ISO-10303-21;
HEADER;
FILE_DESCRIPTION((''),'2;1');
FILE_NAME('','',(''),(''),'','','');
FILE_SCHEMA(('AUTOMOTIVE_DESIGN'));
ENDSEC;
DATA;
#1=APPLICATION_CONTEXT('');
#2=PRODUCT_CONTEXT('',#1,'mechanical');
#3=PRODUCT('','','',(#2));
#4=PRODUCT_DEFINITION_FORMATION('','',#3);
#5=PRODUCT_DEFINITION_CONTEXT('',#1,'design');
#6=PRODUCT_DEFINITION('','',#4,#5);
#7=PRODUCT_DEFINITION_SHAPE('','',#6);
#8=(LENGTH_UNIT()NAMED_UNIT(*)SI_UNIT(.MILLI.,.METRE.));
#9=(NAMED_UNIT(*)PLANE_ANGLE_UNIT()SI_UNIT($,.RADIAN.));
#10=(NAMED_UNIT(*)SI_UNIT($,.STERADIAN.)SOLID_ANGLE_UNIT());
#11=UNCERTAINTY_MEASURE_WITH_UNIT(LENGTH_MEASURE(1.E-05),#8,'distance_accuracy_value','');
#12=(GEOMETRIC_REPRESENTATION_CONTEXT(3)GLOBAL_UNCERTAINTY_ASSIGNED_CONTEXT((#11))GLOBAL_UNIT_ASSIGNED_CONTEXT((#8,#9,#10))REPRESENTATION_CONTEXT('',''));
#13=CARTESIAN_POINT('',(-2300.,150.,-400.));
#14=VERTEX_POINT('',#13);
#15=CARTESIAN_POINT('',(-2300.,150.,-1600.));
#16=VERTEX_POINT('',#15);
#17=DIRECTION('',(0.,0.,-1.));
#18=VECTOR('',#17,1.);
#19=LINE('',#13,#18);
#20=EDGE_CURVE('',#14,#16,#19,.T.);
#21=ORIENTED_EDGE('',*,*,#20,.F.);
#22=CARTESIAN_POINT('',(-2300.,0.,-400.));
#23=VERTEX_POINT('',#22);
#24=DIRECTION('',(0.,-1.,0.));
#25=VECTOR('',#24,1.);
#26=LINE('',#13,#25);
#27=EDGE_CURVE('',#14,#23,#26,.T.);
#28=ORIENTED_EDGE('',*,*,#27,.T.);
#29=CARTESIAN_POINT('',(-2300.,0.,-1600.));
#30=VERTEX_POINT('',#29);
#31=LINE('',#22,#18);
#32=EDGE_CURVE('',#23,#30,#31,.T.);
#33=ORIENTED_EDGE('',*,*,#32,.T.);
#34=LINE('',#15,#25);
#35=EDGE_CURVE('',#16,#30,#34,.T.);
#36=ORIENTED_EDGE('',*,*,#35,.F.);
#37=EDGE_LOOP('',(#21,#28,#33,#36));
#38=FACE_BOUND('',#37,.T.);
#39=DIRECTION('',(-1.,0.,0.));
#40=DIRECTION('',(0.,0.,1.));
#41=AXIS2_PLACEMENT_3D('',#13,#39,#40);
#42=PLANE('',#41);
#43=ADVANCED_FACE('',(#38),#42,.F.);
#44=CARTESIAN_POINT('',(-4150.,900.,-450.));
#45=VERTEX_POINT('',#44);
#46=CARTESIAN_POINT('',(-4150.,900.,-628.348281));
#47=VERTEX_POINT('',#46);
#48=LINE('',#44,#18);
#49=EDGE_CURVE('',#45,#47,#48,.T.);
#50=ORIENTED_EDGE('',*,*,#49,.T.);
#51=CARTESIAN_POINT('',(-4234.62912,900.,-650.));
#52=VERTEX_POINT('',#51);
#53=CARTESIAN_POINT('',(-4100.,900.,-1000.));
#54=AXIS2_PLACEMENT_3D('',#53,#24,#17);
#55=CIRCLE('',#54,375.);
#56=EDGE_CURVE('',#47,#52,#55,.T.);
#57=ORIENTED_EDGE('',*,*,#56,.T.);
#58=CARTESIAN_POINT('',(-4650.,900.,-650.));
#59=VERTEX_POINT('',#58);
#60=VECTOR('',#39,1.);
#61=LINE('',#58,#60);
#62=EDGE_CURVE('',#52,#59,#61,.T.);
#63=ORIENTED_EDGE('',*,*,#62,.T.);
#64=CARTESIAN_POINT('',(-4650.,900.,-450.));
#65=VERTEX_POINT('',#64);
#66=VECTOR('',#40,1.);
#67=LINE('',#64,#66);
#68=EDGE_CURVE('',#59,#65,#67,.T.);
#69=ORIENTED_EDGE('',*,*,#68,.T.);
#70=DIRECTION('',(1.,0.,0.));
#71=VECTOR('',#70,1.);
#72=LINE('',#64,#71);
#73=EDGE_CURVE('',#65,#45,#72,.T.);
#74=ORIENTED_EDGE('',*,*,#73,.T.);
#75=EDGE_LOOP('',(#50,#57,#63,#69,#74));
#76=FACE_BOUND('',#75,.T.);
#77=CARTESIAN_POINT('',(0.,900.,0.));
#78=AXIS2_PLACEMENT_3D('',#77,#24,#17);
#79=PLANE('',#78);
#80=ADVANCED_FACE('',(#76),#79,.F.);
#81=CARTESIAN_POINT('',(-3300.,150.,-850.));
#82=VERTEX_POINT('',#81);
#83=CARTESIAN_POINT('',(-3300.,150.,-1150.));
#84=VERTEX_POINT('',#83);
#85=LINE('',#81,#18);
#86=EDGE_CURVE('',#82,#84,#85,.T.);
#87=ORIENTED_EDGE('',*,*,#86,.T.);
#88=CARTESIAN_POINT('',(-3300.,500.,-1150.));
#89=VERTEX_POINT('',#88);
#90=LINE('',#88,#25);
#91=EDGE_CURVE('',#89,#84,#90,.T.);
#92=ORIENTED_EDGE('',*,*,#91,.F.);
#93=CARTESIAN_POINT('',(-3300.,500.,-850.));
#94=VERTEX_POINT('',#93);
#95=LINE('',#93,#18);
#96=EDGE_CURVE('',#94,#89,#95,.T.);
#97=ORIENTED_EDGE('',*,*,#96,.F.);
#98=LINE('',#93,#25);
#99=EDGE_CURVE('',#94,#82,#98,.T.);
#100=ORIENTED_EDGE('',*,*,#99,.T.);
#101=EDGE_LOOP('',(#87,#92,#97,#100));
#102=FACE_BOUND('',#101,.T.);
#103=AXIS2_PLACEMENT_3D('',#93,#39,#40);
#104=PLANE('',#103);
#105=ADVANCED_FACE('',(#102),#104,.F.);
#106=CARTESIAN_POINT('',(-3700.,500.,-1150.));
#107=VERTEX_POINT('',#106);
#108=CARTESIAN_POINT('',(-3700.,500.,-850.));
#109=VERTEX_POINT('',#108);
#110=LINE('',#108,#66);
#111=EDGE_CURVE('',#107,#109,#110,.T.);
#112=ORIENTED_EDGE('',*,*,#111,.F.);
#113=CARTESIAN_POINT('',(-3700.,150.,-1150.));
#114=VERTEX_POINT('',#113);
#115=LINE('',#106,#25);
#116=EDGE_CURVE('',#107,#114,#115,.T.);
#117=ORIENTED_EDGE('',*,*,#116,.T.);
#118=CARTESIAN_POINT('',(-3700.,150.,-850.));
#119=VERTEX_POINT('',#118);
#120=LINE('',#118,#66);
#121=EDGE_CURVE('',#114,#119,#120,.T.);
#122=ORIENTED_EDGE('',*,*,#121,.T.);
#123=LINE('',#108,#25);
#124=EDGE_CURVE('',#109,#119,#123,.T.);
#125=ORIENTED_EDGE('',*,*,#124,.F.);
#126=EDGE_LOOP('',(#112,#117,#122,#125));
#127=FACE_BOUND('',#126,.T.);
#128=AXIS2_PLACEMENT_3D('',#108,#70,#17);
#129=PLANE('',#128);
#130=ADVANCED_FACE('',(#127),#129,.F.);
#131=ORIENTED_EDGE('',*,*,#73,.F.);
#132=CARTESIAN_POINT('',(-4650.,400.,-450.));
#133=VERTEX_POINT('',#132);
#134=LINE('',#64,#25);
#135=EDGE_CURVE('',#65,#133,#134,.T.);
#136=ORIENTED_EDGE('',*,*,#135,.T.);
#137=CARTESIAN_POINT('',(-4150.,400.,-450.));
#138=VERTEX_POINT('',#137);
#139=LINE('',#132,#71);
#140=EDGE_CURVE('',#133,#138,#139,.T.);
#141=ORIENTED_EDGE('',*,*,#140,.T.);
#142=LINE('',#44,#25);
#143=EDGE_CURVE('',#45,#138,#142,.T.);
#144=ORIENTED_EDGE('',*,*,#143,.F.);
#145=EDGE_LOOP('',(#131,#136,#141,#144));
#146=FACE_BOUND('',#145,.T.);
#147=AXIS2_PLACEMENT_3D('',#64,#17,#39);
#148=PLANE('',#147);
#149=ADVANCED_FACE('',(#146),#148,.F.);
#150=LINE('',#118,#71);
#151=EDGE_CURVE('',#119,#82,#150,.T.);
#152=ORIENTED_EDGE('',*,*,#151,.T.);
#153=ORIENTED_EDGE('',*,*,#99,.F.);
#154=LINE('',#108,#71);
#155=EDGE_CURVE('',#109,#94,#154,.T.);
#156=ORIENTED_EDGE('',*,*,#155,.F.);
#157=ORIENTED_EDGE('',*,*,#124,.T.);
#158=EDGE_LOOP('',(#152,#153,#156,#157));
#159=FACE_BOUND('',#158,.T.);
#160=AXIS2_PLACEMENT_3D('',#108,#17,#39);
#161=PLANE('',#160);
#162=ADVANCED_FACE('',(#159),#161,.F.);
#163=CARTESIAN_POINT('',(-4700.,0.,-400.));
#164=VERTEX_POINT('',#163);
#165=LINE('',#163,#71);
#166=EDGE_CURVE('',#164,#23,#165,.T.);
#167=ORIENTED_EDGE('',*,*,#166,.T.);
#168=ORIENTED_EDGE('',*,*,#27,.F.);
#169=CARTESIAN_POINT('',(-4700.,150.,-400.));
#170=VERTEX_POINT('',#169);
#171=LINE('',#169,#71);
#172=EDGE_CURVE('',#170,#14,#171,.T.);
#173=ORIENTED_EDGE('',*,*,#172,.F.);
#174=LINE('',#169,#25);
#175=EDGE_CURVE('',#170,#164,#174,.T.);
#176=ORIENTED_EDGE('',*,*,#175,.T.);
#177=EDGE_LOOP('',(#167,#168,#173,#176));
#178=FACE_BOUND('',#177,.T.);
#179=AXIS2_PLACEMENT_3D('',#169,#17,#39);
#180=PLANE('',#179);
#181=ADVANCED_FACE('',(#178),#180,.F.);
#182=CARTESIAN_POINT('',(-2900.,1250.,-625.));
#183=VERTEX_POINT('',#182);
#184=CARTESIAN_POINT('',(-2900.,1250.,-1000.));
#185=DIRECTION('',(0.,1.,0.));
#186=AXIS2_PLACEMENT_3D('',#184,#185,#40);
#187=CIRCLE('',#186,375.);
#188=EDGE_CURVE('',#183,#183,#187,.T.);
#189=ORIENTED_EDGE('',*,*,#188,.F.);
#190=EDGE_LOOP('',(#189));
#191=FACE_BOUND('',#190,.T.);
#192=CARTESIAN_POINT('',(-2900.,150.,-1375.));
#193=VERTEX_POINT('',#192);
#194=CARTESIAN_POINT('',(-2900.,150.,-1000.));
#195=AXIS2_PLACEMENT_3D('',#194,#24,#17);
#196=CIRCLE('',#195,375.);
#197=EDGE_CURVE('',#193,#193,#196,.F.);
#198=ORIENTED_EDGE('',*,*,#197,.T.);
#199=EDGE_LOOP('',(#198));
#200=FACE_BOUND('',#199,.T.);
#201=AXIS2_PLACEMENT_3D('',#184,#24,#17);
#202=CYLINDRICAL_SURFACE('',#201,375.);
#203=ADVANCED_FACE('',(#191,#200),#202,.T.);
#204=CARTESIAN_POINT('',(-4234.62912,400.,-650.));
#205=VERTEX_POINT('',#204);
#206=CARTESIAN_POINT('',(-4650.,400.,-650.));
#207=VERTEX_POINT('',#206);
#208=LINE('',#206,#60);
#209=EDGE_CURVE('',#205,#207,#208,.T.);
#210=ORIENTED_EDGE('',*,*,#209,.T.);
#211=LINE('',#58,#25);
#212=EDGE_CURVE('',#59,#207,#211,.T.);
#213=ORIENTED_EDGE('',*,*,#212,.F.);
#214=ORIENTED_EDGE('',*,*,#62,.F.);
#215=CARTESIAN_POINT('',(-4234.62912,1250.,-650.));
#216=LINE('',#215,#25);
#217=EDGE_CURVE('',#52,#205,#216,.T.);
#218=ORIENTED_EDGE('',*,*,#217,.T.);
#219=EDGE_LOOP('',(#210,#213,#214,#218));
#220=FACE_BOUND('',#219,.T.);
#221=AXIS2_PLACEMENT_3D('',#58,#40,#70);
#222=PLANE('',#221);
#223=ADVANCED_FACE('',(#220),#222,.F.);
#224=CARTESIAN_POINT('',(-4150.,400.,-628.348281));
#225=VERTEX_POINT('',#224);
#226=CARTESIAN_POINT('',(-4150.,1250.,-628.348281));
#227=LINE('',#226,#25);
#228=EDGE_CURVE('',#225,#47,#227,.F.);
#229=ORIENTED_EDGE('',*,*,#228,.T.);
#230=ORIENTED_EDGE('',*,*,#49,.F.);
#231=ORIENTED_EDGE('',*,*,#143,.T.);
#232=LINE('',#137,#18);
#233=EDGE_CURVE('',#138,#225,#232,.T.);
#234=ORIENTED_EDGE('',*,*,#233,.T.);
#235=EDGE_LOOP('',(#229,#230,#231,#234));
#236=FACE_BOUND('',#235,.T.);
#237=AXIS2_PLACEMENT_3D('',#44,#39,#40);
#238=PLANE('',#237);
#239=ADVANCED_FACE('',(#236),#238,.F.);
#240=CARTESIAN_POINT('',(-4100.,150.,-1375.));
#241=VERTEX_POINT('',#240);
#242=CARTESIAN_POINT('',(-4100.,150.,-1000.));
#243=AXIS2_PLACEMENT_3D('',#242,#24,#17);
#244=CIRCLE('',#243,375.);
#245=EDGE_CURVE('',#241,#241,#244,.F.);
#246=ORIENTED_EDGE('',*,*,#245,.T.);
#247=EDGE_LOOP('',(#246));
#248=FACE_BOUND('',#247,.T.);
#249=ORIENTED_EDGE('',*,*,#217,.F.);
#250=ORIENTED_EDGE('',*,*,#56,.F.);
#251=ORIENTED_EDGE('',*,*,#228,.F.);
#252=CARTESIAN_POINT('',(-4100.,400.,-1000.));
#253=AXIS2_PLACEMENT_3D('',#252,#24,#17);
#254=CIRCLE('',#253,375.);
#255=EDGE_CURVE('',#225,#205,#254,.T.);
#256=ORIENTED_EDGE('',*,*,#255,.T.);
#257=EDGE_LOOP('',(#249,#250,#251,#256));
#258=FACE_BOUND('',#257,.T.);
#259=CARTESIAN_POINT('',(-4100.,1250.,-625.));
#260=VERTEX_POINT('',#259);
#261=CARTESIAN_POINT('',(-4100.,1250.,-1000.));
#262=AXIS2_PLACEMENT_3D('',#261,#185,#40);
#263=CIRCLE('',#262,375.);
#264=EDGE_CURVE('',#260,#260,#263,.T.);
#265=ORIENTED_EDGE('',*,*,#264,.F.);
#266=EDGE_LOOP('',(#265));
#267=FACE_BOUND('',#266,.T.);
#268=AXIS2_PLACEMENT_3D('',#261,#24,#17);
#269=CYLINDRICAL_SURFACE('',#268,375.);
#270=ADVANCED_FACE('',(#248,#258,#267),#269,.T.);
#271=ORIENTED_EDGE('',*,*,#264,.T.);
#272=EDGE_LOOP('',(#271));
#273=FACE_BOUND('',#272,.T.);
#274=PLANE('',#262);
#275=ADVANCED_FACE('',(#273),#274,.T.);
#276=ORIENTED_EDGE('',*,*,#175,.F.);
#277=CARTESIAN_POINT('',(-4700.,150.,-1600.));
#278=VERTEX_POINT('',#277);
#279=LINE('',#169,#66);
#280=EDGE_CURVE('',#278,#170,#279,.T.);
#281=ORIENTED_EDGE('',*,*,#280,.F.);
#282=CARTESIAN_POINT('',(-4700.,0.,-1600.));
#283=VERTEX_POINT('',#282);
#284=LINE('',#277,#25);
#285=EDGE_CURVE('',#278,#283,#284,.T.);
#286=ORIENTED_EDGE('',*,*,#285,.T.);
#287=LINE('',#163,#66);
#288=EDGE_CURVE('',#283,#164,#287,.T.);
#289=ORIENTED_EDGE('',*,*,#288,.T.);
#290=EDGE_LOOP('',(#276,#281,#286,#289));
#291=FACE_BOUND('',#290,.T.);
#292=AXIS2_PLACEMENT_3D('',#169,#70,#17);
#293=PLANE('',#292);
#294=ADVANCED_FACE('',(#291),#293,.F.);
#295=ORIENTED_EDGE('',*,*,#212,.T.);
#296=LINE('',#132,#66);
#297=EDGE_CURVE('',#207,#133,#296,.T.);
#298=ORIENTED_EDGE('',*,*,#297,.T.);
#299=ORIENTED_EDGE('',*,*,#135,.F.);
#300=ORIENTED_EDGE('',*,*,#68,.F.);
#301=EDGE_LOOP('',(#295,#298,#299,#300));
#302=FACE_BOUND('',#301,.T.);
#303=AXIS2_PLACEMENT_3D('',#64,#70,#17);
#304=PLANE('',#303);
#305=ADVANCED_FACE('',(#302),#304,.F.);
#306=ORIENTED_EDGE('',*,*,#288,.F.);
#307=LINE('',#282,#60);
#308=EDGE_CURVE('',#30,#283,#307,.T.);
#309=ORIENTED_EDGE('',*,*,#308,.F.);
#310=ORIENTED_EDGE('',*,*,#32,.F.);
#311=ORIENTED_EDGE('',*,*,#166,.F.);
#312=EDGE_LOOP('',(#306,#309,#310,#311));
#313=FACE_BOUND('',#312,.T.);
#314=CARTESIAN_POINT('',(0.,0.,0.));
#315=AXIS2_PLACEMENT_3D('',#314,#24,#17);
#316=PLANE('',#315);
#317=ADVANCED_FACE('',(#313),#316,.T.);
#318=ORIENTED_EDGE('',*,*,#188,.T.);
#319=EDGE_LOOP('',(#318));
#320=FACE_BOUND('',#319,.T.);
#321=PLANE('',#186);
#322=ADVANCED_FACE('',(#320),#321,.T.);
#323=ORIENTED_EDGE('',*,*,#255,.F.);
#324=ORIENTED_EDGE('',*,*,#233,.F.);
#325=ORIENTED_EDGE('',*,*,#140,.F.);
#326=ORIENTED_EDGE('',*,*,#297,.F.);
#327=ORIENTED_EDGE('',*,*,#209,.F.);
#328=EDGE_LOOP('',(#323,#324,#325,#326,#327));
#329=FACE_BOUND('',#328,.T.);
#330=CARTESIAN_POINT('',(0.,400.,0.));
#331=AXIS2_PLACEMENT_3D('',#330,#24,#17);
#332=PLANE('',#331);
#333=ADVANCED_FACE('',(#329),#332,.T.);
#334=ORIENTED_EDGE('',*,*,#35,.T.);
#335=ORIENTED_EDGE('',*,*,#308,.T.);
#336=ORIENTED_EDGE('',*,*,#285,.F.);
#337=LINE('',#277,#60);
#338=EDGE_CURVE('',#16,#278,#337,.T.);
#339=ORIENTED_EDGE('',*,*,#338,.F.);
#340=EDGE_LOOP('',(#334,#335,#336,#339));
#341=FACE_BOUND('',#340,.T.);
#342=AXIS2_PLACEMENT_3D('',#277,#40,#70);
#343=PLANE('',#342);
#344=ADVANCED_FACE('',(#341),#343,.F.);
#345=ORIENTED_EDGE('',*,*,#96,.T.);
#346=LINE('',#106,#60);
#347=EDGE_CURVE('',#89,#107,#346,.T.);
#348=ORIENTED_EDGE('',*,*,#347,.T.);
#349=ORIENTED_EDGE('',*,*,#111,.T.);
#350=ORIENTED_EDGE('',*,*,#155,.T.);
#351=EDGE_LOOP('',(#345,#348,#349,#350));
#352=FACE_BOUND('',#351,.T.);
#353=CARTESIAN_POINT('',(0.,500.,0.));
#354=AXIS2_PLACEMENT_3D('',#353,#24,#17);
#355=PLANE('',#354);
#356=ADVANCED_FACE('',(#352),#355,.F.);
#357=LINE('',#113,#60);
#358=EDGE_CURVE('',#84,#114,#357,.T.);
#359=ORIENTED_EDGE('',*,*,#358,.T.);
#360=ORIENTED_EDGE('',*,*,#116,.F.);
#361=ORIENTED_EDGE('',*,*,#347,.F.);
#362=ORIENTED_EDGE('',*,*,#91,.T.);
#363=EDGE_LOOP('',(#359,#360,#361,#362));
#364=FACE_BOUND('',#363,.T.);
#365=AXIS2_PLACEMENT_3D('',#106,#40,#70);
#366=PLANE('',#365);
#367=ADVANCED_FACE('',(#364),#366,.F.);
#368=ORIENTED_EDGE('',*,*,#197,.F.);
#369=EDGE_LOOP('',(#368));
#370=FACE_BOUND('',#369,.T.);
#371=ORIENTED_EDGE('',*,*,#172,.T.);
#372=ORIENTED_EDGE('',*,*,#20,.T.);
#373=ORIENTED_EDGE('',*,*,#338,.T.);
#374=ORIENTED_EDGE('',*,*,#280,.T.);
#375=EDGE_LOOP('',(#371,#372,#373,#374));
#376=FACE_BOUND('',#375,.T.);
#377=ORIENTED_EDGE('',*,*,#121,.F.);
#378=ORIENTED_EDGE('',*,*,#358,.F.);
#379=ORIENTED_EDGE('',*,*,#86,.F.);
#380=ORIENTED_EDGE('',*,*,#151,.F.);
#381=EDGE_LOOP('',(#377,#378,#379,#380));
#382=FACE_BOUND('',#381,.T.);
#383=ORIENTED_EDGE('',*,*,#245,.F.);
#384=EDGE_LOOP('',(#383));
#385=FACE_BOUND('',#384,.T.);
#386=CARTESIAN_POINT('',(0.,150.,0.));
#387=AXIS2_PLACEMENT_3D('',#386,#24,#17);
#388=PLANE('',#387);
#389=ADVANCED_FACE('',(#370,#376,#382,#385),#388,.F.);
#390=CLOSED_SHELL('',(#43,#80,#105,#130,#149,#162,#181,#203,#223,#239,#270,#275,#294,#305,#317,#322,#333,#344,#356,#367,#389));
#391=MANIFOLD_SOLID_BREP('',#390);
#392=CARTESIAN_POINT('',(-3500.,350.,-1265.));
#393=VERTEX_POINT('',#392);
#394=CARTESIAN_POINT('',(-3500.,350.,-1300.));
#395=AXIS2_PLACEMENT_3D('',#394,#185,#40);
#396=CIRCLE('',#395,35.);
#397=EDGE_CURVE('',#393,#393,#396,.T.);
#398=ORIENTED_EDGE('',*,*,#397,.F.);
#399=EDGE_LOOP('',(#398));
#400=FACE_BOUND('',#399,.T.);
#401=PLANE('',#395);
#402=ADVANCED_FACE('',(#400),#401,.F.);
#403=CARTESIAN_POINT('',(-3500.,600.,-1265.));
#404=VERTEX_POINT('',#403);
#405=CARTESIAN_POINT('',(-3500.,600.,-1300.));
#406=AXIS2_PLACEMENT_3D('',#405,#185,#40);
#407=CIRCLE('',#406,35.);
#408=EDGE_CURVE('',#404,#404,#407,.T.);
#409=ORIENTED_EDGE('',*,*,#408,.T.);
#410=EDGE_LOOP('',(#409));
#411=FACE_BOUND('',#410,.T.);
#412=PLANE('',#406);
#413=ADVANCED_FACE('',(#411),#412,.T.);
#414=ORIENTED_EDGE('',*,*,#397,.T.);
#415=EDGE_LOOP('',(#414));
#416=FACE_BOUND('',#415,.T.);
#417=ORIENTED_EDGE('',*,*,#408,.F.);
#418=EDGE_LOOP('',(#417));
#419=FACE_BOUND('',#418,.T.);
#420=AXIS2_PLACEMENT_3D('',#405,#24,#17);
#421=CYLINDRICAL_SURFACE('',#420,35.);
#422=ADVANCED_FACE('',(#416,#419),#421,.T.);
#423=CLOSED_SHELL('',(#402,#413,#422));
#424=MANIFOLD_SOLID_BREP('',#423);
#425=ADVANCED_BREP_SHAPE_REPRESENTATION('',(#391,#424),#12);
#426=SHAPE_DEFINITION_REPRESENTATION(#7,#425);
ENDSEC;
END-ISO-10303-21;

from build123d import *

# Parameters (mm, degrees)
SKETCH1_W           = 2400
SKETCH1_H           = 1200
BOSS_EXTRUDE1_DEPTH = 150
BOSS_EXTRUDE2_START = 150
SKETCH2_R           = 375
BOSS_EXTRUDE2_DEPTH = 1100
BOSS_EXTRUDE3_START = 150
SKETCH3_R           = 375
BOSS_EXTRUDE3_DEPTH = 1100
BOSS_EXTRUDE4_START = 150
SKETCH4_W           = 400
SKETCH4_H           = 300
BOSS_EXTRUDE4_DEPTH = 350
BOSS_EXTRUDE5_START = 400
SKETCH5_W           = 500
SKETCH5_H           = 200
BOSS_EXTRUDE5_DEPTH = 500
BOSS_EXTRUDE6_START = 350
SKETCH6_R           = 35
BOSS_EXTRUDE6_DEPTH = 250


with BuildPart() as part:
    # Sketch1 → Boss-Extrude1 (new body)
    with BuildSketch(Plane(origin=(0, 0, 0), x_dir=(1, 0, 0), z_dir=(0, 1, 0))):
        with Locations((-3500, 1000)):
            Rectangle(SKETCH1_W, SKETCH1_H)
    extrude(amount=BOSS_EXTRUDE1_DEPTH)

    # Sketch2 → Boss-Extrude2 (add)
    with BuildSketch(Plane(origin=(0, 0, 0), x_dir=(1, 0, 0), z_dir=(0, 1, 0)).offset(BOSS_EXTRUDE2_START)):
        with Locations(Location((-4100, 1000, 0), (0, 0, 90))):
            Circle(SKETCH2_R)
    extrude(amount=BOSS_EXTRUDE2_DEPTH)

    # Sketch3 → Boss-Extrude3 (add)
    with BuildSketch(Plane(origin=(0, 0, 0), x_dir=(1, 0, 0), z_dir=(0, 1, 0)).offset(BOSS_EXTRUDE3_START)):
        with Locations(Location((-2900, 1000, 0), (0, 0, 90))):
            Circle(SKETCH3_R)
    extrude(amount=BOSS_EXTRUDE3_DEPTH)

    # Sketch4 → Boss-Extrude4 (add)
    with BuildSketch(Plane(origin=(0, 0, 0), x_dir=(1, 0, 0), z_dir=(0, 1, 0)).offset(BOSS_EXTRUDE4_START)):
        with Locations((-3500, 1000)):
            Rectangle(SKETCH4_W, SKETCH4_H)
    extrude(amount=BOSS_EXTRUDE4_DEPTH)

    # Sketch5 → Boss-Extrude5 (add)
    with BuildSketch(Plane(origin=(0, 0, 0), x_dir=(1, 0, 0), z_dir=(0, 1, 0)).offset(BOSS_EXTRUDE5_START)):
        with Locations((-4400, 550)):
            Rectangle(SKETCH5_W, SKETCH5_H)
    extrude(amount=BOSS_EXTRUDE5_DEPTH)


with BuildPart() as body_2:
    # Sketch6 → Boss-Extrude6 (new body)
    with BuildSketch(Plane(origin=(0, 0, 0), x_dir=(1, 0, 0), z_dir=(0, 1, 0)).offset(BOSS_EXTRUDE6_START)):
        with Locations(Location((-3500, 1300, 0), (0, 0, 270))):
            Circle(SKETCH6_R)
    extrude(amount=BOSS_EXTRUDE6_DEPTH)


solid = Compound([part.part, body_2.part])
